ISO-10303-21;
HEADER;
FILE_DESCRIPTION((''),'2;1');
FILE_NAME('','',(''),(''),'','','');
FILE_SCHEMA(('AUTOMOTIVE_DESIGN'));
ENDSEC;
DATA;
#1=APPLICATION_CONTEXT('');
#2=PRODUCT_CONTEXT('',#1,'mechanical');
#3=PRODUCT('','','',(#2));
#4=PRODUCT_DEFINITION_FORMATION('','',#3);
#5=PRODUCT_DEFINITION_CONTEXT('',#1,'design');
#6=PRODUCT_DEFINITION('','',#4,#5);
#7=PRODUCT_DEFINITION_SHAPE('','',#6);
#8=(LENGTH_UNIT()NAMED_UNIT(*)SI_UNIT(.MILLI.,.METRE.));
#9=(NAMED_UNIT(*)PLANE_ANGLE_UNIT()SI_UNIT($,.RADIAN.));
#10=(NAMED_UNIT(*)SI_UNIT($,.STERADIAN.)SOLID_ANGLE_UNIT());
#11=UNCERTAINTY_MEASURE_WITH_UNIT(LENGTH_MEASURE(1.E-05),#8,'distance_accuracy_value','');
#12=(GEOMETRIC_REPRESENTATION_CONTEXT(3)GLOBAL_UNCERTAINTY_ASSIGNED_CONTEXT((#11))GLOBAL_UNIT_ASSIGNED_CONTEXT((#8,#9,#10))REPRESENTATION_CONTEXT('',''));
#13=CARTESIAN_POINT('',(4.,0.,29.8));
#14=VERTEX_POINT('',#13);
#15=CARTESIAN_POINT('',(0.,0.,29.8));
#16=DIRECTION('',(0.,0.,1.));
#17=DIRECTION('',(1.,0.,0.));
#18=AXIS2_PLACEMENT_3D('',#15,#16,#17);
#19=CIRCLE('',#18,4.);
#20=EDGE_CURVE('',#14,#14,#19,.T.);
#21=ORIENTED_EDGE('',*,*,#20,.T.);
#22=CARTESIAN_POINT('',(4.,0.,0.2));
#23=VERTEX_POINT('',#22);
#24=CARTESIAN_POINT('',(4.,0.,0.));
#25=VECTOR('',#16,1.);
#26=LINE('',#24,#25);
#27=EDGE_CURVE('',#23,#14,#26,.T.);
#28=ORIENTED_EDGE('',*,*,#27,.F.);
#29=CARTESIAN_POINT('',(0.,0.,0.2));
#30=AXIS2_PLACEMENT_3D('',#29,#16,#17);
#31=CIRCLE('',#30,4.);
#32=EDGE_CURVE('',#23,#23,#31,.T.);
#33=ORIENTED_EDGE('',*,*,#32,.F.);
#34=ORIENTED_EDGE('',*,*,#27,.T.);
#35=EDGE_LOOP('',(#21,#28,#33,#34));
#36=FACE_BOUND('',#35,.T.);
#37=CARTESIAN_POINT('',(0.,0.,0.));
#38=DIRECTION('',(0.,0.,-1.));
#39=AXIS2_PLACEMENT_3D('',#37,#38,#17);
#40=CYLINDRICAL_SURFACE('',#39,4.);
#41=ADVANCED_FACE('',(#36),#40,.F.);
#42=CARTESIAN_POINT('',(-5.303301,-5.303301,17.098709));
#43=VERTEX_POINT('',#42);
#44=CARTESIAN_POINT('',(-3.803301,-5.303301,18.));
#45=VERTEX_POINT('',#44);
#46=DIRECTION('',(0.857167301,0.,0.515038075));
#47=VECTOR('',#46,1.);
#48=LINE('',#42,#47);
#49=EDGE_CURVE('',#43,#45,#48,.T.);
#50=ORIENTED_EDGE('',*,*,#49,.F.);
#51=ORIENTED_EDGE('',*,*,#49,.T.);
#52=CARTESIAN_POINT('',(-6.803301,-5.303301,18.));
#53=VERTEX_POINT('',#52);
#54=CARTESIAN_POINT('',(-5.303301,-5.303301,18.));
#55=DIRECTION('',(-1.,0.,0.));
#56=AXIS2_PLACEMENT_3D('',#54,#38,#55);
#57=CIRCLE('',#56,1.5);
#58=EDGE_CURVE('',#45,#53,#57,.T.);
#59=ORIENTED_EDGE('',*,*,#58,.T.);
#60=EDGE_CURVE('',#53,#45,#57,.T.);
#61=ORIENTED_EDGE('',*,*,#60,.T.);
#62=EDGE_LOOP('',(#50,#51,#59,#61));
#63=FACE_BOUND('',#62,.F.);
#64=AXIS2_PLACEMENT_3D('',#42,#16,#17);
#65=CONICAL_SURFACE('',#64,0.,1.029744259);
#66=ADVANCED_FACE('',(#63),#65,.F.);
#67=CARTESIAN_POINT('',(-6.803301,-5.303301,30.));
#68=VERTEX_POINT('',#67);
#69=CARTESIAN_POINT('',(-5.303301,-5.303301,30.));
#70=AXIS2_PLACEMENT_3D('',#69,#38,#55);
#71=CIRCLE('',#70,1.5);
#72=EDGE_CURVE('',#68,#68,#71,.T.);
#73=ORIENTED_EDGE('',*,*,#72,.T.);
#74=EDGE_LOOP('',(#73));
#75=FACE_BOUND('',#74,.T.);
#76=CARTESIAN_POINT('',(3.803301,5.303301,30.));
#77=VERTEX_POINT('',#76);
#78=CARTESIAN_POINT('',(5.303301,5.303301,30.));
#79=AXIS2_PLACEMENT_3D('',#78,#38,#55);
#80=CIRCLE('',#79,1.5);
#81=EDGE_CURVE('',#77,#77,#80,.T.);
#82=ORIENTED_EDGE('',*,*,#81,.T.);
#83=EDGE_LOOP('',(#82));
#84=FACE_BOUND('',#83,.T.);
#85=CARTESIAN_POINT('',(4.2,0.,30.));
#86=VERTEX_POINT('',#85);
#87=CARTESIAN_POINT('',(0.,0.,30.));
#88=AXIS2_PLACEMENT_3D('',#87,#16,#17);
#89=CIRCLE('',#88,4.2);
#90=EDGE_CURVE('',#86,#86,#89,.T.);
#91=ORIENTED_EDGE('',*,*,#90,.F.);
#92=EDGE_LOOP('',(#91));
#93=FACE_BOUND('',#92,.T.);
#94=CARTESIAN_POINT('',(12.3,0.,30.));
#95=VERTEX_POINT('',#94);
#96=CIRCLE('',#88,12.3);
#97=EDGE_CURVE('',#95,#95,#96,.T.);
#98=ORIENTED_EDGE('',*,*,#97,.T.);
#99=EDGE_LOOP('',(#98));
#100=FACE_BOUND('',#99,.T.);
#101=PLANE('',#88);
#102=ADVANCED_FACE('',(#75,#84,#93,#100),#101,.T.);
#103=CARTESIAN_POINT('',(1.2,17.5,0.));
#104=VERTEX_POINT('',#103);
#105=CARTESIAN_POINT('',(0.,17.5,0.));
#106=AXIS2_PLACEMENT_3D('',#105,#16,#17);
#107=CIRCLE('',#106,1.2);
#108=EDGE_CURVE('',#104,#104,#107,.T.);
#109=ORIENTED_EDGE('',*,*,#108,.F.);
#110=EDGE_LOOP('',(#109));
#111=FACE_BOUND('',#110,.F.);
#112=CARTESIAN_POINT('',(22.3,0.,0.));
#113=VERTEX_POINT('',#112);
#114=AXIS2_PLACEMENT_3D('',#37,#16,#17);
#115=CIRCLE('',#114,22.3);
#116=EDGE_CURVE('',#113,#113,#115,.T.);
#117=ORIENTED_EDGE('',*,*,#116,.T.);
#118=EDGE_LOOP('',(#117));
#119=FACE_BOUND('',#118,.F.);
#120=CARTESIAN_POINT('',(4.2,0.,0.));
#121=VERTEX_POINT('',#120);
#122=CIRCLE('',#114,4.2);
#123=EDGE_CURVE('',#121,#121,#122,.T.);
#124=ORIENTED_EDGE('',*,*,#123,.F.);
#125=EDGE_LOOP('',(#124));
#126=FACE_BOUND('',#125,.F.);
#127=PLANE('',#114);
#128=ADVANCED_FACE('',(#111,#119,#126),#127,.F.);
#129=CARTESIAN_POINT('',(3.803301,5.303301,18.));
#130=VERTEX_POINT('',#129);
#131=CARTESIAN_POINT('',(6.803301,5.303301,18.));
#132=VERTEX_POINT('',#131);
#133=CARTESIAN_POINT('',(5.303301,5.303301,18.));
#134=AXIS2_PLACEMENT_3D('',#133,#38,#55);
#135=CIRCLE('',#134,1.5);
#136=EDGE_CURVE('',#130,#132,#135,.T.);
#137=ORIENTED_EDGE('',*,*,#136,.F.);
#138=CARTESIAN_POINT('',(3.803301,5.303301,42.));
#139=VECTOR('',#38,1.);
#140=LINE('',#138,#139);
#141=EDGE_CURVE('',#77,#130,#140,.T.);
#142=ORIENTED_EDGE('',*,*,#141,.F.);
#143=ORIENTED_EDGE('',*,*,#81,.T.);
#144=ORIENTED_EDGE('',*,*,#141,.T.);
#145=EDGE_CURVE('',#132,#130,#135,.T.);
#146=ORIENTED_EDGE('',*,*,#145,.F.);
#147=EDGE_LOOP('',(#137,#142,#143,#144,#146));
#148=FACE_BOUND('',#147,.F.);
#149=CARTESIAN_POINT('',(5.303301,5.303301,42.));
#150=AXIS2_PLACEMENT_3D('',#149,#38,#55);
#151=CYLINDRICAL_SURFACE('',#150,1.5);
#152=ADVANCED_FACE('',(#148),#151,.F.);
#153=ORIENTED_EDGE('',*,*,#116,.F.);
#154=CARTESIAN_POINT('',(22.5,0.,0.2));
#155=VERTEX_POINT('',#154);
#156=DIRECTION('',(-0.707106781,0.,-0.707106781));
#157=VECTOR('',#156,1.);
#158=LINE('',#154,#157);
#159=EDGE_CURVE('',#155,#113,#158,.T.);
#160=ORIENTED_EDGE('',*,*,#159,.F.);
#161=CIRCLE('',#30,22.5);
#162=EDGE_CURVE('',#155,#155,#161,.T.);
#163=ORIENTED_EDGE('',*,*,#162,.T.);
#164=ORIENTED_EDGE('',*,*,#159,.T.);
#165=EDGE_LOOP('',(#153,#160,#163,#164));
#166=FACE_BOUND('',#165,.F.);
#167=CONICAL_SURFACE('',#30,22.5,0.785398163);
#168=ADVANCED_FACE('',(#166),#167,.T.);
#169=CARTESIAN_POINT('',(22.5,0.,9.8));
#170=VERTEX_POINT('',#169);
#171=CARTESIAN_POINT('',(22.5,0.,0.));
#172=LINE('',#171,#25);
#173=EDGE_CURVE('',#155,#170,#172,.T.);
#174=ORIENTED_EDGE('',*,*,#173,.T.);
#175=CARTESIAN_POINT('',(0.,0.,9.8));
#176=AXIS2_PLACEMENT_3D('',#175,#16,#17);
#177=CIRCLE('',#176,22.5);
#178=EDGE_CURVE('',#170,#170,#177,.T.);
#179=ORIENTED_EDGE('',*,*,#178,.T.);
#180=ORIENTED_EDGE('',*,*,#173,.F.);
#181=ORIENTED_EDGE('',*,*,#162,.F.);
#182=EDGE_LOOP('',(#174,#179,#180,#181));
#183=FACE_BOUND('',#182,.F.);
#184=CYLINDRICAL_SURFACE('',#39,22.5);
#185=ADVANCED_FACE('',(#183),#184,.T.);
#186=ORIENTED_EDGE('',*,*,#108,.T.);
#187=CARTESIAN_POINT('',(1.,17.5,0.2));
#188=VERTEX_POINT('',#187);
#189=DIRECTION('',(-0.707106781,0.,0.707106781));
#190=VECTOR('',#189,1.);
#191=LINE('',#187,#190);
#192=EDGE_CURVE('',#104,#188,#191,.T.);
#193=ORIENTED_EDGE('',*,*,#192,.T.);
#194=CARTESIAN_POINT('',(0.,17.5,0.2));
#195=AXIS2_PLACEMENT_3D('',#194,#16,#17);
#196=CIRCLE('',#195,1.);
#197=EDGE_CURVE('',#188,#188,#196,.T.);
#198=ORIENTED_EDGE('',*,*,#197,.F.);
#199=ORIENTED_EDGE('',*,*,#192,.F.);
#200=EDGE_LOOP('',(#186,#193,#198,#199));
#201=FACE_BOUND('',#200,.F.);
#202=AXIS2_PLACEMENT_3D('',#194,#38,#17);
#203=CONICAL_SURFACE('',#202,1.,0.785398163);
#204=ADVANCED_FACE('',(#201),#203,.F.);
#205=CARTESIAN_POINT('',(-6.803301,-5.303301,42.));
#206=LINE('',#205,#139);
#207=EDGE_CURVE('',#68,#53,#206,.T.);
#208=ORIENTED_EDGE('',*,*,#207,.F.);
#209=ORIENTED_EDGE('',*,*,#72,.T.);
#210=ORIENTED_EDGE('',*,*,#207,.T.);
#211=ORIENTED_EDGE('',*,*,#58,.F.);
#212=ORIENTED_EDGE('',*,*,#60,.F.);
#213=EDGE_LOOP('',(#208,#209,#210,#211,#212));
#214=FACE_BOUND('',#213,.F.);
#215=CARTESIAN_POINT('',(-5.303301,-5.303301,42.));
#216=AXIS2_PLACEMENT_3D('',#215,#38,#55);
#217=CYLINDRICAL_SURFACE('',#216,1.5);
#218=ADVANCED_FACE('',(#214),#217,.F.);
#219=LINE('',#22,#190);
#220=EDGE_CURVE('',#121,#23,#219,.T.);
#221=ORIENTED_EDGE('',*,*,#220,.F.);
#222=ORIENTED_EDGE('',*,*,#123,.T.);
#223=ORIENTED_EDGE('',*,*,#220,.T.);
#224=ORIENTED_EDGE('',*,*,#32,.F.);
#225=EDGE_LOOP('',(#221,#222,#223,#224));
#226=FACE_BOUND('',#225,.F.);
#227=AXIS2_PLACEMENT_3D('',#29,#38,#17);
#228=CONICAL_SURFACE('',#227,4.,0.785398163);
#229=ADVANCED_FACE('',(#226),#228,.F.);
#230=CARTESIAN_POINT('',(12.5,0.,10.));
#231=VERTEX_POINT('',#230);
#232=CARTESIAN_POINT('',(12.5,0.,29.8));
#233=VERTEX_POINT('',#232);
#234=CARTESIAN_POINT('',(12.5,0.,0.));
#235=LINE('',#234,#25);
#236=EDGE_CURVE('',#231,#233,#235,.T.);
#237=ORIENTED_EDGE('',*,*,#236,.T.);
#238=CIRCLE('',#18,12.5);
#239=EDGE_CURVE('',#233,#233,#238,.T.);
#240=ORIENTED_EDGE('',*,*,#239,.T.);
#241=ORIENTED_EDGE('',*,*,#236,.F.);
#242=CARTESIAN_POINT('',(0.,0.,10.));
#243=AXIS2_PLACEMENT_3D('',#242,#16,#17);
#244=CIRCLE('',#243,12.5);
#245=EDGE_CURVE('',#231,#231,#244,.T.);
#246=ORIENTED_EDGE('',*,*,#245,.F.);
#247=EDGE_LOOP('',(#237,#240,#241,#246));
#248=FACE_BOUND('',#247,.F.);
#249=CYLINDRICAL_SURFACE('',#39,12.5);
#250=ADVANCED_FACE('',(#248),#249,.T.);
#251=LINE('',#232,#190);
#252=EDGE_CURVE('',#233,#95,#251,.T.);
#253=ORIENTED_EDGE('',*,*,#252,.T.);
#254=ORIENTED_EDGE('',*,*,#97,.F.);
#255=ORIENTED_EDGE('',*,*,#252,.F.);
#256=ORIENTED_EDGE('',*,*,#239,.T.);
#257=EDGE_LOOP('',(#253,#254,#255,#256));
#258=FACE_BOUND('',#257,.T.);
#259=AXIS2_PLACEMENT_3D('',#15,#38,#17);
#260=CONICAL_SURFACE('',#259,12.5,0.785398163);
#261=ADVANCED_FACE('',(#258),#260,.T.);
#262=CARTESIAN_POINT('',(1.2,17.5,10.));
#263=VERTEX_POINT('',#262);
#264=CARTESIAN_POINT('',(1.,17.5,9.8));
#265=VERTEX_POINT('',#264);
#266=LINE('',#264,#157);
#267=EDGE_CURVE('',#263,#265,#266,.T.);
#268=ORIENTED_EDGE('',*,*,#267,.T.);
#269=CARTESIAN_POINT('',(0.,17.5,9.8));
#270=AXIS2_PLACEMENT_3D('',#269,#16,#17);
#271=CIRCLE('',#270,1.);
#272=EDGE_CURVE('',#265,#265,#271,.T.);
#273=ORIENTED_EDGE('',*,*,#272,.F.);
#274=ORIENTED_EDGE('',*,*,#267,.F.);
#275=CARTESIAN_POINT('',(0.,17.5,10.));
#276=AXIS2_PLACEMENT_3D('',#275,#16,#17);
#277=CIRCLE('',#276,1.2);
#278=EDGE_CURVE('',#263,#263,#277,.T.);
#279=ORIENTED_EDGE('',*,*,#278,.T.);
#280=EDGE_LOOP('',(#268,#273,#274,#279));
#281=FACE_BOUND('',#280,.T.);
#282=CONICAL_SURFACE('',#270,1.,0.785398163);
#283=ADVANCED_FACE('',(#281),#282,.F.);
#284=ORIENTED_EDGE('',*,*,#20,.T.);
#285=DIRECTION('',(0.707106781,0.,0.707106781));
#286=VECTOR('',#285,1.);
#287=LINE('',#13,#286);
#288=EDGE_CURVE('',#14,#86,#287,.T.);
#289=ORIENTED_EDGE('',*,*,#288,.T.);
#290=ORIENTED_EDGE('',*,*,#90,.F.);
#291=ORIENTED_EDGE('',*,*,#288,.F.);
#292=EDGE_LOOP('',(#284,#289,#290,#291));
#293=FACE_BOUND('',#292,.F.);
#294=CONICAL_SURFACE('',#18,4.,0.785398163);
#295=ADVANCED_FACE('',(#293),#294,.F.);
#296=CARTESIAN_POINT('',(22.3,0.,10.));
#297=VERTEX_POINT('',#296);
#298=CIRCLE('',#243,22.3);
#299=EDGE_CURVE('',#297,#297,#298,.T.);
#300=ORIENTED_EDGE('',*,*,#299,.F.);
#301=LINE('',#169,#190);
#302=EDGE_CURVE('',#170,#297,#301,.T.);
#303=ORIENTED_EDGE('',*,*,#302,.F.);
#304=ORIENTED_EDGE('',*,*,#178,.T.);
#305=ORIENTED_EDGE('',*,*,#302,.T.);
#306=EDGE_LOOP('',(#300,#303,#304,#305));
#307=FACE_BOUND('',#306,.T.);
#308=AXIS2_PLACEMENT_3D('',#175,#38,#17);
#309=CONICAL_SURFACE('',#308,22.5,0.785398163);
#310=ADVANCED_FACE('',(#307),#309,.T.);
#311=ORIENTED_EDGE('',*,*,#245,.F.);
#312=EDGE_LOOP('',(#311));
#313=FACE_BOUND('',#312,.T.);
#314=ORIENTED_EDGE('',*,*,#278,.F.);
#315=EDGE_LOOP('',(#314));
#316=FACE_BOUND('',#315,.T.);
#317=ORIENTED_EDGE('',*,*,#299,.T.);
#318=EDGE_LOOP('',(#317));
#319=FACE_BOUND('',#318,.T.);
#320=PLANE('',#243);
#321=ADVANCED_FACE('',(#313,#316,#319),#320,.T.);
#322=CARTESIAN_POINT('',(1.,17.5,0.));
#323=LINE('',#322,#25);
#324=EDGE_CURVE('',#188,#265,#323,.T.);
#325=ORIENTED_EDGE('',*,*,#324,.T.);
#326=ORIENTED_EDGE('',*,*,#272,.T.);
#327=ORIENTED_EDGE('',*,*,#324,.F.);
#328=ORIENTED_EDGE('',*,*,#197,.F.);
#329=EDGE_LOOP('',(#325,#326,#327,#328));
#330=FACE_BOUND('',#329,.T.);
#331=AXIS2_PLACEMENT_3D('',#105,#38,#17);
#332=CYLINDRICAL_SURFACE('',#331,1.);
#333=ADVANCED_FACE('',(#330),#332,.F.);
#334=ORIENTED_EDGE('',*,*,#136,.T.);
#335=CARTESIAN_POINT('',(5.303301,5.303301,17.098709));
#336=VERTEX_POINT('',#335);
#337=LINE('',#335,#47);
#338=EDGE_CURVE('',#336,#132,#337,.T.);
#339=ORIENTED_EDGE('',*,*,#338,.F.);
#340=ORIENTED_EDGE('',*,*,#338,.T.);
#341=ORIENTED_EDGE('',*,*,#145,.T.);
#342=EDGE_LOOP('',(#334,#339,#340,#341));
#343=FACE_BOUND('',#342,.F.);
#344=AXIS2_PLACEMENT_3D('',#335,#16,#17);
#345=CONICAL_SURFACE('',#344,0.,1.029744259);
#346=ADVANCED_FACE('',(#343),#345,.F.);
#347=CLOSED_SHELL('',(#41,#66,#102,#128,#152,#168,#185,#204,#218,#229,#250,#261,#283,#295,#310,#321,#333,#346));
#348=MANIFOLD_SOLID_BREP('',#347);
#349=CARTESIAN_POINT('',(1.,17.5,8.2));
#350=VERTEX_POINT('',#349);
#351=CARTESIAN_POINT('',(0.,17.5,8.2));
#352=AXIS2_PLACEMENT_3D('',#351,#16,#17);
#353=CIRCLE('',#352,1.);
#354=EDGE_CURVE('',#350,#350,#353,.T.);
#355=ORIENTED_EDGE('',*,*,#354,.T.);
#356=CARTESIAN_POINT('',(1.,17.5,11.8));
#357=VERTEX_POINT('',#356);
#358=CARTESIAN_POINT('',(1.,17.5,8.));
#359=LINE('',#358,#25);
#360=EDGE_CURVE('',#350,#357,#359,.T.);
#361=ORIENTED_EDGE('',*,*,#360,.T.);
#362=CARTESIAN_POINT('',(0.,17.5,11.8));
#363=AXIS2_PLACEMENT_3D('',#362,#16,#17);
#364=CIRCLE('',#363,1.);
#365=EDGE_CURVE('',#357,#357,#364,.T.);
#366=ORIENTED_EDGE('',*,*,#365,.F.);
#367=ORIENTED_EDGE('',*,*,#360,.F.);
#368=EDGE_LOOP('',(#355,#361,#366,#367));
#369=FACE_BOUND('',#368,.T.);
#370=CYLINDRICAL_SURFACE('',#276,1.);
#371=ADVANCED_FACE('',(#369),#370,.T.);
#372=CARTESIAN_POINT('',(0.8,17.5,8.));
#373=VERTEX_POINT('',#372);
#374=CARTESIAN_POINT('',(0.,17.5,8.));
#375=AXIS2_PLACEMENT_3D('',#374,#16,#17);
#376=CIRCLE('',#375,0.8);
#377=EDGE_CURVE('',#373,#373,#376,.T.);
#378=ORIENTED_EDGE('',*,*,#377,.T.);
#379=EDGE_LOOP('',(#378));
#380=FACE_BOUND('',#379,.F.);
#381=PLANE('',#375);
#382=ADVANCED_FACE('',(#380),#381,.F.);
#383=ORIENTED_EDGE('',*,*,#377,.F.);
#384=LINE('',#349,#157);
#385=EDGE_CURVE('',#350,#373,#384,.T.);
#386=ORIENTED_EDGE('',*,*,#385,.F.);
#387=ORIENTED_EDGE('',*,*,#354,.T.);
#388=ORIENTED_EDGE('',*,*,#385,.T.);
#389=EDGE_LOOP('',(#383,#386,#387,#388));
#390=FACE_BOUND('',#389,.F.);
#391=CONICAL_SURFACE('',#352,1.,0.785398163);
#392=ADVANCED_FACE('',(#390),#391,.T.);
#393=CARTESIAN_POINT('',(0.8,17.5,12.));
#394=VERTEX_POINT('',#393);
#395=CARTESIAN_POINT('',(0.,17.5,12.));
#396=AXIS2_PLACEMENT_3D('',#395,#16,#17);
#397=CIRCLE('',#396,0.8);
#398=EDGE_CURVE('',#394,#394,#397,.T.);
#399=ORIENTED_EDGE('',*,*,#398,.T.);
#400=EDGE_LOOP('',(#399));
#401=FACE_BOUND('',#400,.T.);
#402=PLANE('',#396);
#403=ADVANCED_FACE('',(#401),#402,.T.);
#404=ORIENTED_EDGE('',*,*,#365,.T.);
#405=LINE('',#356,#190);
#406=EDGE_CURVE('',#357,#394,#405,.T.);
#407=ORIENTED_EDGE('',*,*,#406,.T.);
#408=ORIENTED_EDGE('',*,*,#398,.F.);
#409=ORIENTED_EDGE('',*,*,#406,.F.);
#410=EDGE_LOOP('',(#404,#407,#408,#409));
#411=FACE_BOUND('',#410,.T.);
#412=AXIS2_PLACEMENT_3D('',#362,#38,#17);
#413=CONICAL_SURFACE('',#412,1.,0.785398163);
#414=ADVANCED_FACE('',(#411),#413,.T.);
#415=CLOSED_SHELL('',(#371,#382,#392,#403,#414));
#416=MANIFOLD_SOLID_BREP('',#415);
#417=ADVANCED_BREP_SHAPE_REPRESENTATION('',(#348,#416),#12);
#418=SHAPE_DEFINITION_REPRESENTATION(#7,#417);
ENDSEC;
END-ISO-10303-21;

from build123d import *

# Parameters (mm, degrees)
F0_R     = 12.5
F0_R_2   = 4
F1_DEPTH = 30
F0_R_3   = 22.5
F0_R_4   = 1
F2_DEPTH = 10
F3_R     = 1
F4_DEPTH = 2
F5_SIZE  = 0.2
F6_SIZE  = 0.2
F8_D     = 3
F8_DEPTH = 12
F8_TIP   = 0.9012909285


with BuildPart() as f1:
    # F0 (on Top) → F1 (new body)
    with BuildSketch(Plane.XY):
        Circle(F0_R)
        Circle(F0_R_2, mode=Mode.SUBTRACT)
    extrude(amount=F1_DEPTH)

    # F0 (on Top) → F2 (join)
    with BuildSketch(Plane.XY):
        Circle(F0_R_3)
        Circle(F0_R, mode=Mode.SUBTRACT)
        with Locations((0, 17.5)):
            Circle(F0_R_4, mode=Mode.SUBTRACT)
    extrude(amount=F2_DEPTH)

    # F6
    f6_edges = [f1.edges().sort_by_distance(p)[0] for p in [
        (-12.5, 0, 30),
        (-4, 0, 30),
        (-22.5, 0, 10),
        (-4, 0, 0),
        (-1, 17.5, 0),
        (-1, 17.5, 10),
        (-22.5, 0, 0),
    ]]
    chamfer(f6_edges, length=F6_SIZE)

    # F8
    with Locations(Plane.XY.offset(30)):
        with Locations((5.3033008589, 5.3033008589), (-5.3033008589, -5.3033008589)):
            Hole(F8_D / 2, depth=F8_DEPTH)
            with Locations((0, 0, -(F8_DEPTH + F8_TIP / 2))):  # 118° drill point
                Cone(0, F8_D / 2, F8_TIP, mode=Mode.SUBTRACT)


with BuildPart() as f4:
    # F3 (on face) → F4 (new body, symmetric)
    with BuildSketch(Plane.XY.offset(10)):
        with Locations((0, 17.5)):
            Circle(F3_R)
    extrude(amount=F4_DEPTH, both=True)

    # F5
    f5_edges = [f4.edges().sort_by_distance(p)[0] for p in [
        (-1, 17.5, 12),
        (-1, 17.5, 8),
    ]]
    chamfer(f5_edges, length=F5_SIZE)


solid = Compound([f1.part, f4.part])
